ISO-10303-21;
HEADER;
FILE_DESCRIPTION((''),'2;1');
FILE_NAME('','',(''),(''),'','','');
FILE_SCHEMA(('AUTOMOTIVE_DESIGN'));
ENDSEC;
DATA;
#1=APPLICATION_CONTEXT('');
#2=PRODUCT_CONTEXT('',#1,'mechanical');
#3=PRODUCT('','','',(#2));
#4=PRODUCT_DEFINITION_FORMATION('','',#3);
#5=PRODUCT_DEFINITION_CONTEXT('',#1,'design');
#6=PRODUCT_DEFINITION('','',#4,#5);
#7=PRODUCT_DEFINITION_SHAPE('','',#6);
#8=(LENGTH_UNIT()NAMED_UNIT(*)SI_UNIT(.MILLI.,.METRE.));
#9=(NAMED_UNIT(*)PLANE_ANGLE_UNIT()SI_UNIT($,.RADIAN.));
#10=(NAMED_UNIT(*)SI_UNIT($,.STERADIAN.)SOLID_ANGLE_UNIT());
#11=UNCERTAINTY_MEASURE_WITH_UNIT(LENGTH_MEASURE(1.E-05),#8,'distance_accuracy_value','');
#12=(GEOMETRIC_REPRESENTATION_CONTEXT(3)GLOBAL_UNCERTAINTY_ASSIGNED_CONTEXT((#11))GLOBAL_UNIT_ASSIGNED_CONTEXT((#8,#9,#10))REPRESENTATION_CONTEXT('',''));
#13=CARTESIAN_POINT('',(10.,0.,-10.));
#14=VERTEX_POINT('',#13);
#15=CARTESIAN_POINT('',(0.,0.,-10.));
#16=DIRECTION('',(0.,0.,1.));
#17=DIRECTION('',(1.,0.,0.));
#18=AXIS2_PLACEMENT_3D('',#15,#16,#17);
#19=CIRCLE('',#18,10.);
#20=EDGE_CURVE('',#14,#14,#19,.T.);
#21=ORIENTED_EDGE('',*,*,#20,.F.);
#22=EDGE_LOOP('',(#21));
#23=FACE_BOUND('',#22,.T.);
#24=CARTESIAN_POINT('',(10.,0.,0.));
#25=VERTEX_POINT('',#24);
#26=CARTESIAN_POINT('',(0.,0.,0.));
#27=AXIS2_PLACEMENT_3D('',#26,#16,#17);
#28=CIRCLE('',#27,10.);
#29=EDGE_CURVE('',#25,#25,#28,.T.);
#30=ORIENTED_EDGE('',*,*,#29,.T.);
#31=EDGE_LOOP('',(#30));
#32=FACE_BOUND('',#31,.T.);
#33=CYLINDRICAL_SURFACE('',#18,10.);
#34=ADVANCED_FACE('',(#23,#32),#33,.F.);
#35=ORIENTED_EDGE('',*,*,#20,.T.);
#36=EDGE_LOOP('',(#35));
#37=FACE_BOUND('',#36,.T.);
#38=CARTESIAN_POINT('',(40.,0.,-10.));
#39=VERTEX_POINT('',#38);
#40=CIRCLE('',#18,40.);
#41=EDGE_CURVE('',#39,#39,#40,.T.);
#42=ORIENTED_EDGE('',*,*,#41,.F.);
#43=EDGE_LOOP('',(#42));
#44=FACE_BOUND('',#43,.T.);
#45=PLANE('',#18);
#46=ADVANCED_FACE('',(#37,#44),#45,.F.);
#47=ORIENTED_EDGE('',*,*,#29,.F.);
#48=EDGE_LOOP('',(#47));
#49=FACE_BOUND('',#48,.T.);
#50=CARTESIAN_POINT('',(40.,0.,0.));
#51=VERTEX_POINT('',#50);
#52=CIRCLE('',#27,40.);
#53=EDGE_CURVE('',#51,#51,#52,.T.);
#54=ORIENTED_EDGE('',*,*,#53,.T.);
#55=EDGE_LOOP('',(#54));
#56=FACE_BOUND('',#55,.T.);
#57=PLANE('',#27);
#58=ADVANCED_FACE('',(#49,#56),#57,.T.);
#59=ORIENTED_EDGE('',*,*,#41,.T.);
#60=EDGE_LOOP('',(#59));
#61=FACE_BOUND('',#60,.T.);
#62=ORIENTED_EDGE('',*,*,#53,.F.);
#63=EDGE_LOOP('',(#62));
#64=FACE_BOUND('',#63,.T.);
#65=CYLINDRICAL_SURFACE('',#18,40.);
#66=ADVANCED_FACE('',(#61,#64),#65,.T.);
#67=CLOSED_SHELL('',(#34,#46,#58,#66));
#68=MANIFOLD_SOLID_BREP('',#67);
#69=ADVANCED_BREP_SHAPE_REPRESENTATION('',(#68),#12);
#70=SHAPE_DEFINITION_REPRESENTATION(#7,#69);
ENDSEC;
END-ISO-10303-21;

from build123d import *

# Parameters (mm, degrees)
SKETCH1_R           = 40
BOSS_EXTRUDE1_DEPTH = 10
SKETCH2_R           = 10
CUT_EXTRUDE1_DEPTH  = 11


with BuildPart() as part:
    # Sketch1 → Boss-Extrude1 (new body)
    with BuildSketch(Plane.XY):
        Circle(SKETCH1_R)
    extrude(amount=-BOSS_EXTRUDE1_DEPTH)

    # Sketch2 → Cut-Extrude1 (cut, through all)
    with BuildSketch(Plane.XY):
        Circle(SKETCH2_R)
    extrude(amount=-CUT_EXTRUDE1_DEPTH, mode=Mode.SUBTRACT)


solid = part.part
